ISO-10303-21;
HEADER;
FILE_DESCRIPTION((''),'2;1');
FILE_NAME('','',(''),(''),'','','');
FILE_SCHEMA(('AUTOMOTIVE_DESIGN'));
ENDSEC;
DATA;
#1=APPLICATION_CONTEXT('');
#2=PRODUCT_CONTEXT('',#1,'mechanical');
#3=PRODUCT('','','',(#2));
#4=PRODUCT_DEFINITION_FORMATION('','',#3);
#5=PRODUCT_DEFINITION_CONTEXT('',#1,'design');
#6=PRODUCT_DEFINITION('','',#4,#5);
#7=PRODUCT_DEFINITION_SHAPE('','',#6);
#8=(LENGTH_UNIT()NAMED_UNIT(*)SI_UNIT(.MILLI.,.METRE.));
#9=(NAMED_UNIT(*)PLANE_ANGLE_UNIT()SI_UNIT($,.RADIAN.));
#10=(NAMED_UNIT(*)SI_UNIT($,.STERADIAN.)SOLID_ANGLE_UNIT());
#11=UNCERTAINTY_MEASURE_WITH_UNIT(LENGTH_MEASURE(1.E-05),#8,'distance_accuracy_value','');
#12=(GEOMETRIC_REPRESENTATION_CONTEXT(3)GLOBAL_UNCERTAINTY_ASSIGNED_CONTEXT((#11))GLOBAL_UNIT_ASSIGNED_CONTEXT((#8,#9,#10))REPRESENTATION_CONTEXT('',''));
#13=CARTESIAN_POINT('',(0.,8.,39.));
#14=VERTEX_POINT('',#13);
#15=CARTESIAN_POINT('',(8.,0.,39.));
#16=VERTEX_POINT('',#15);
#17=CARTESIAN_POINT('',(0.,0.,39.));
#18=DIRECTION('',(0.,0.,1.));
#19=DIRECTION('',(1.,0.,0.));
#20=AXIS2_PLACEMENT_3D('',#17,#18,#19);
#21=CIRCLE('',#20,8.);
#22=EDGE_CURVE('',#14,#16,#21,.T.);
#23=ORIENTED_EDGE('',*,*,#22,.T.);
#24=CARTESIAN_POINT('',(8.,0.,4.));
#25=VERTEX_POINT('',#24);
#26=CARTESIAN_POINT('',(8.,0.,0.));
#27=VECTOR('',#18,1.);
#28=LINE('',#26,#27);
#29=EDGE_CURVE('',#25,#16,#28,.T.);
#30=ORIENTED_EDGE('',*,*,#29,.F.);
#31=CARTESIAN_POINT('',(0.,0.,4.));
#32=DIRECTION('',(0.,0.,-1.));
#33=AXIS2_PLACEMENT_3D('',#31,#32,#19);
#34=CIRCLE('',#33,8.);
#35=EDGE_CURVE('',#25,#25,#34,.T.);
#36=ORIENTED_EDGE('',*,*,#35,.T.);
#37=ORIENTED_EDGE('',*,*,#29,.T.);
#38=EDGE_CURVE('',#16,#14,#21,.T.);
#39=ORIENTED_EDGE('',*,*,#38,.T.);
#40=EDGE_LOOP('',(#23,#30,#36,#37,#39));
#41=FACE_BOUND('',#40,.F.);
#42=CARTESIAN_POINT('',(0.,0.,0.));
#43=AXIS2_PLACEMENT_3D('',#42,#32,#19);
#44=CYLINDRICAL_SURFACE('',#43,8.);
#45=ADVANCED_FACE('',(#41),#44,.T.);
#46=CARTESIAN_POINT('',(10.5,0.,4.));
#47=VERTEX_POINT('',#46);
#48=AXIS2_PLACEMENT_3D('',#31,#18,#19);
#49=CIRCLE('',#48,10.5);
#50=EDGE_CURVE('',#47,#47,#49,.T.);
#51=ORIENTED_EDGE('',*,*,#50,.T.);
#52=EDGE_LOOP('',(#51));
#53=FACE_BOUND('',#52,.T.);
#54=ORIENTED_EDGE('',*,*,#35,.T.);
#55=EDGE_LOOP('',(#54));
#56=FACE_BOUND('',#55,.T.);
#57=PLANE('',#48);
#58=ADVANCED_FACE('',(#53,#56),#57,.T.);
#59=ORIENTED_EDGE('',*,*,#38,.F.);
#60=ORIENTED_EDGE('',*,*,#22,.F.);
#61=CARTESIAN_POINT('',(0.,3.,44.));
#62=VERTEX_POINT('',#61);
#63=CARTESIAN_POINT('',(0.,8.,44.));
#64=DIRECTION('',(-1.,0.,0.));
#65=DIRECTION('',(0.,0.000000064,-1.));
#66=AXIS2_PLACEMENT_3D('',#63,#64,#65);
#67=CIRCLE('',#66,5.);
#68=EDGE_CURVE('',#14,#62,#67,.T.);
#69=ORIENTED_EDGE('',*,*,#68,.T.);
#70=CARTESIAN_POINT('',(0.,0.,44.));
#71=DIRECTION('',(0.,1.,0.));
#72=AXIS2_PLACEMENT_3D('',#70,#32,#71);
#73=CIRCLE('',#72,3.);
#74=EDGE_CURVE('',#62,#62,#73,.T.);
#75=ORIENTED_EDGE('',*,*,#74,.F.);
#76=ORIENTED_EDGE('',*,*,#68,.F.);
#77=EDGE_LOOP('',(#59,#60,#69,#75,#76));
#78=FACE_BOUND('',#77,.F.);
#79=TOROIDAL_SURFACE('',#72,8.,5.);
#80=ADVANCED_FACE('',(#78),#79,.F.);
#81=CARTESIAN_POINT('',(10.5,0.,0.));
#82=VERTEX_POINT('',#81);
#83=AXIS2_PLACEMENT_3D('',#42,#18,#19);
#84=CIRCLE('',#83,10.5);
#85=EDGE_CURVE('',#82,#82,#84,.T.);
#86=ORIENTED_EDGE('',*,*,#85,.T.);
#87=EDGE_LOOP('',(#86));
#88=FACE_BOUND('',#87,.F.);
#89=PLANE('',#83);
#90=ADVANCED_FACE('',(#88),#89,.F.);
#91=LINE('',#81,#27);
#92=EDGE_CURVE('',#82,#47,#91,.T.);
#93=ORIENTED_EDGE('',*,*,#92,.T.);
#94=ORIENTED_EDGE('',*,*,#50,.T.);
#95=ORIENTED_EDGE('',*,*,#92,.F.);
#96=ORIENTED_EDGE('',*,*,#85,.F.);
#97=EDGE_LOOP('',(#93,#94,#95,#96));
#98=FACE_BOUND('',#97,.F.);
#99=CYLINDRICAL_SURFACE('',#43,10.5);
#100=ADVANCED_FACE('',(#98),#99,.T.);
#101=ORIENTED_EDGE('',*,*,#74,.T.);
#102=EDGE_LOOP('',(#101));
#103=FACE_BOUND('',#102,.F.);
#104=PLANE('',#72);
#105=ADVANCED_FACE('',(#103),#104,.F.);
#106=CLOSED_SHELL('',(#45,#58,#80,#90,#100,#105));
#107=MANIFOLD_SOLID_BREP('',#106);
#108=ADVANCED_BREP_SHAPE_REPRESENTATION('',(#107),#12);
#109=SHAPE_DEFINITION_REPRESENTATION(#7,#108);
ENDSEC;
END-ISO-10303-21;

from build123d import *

# Parameters (mm, degrees)
F0_R     = 10.5
F1_DEPTH = 4
F2_R     = 8
F3_DEPTH = 39


with BuildPart() as f1:
    # F0 (on Top) → F1 (new body)
    with BuildSketch(Plane.XY):
        Circle(F0_R)
    extrude(amount=F1_DEPTH)

    # F2 (on Top) → F3 (join)
    with BuildSketch(Plane.XY):
        Circle(F2_R)
    extrude(amount=F3_DEPTH)

    # F4 (on Right) → F5 (revolve)
    with BuildSketch(Plane.YZ):
        with BuildLine():
            Line((3, 44), (0, 44))
            Line((0, 44), (0, 39))
            Line((0, 39), (8, 39))
            ThreePointArc((8, 39), (4.464466, 40.464466), (3, 44))
        make_face()
    revolve(axis=Axis((0, 0, 41.5), (0, 0, -1)))


solid = f1.part
